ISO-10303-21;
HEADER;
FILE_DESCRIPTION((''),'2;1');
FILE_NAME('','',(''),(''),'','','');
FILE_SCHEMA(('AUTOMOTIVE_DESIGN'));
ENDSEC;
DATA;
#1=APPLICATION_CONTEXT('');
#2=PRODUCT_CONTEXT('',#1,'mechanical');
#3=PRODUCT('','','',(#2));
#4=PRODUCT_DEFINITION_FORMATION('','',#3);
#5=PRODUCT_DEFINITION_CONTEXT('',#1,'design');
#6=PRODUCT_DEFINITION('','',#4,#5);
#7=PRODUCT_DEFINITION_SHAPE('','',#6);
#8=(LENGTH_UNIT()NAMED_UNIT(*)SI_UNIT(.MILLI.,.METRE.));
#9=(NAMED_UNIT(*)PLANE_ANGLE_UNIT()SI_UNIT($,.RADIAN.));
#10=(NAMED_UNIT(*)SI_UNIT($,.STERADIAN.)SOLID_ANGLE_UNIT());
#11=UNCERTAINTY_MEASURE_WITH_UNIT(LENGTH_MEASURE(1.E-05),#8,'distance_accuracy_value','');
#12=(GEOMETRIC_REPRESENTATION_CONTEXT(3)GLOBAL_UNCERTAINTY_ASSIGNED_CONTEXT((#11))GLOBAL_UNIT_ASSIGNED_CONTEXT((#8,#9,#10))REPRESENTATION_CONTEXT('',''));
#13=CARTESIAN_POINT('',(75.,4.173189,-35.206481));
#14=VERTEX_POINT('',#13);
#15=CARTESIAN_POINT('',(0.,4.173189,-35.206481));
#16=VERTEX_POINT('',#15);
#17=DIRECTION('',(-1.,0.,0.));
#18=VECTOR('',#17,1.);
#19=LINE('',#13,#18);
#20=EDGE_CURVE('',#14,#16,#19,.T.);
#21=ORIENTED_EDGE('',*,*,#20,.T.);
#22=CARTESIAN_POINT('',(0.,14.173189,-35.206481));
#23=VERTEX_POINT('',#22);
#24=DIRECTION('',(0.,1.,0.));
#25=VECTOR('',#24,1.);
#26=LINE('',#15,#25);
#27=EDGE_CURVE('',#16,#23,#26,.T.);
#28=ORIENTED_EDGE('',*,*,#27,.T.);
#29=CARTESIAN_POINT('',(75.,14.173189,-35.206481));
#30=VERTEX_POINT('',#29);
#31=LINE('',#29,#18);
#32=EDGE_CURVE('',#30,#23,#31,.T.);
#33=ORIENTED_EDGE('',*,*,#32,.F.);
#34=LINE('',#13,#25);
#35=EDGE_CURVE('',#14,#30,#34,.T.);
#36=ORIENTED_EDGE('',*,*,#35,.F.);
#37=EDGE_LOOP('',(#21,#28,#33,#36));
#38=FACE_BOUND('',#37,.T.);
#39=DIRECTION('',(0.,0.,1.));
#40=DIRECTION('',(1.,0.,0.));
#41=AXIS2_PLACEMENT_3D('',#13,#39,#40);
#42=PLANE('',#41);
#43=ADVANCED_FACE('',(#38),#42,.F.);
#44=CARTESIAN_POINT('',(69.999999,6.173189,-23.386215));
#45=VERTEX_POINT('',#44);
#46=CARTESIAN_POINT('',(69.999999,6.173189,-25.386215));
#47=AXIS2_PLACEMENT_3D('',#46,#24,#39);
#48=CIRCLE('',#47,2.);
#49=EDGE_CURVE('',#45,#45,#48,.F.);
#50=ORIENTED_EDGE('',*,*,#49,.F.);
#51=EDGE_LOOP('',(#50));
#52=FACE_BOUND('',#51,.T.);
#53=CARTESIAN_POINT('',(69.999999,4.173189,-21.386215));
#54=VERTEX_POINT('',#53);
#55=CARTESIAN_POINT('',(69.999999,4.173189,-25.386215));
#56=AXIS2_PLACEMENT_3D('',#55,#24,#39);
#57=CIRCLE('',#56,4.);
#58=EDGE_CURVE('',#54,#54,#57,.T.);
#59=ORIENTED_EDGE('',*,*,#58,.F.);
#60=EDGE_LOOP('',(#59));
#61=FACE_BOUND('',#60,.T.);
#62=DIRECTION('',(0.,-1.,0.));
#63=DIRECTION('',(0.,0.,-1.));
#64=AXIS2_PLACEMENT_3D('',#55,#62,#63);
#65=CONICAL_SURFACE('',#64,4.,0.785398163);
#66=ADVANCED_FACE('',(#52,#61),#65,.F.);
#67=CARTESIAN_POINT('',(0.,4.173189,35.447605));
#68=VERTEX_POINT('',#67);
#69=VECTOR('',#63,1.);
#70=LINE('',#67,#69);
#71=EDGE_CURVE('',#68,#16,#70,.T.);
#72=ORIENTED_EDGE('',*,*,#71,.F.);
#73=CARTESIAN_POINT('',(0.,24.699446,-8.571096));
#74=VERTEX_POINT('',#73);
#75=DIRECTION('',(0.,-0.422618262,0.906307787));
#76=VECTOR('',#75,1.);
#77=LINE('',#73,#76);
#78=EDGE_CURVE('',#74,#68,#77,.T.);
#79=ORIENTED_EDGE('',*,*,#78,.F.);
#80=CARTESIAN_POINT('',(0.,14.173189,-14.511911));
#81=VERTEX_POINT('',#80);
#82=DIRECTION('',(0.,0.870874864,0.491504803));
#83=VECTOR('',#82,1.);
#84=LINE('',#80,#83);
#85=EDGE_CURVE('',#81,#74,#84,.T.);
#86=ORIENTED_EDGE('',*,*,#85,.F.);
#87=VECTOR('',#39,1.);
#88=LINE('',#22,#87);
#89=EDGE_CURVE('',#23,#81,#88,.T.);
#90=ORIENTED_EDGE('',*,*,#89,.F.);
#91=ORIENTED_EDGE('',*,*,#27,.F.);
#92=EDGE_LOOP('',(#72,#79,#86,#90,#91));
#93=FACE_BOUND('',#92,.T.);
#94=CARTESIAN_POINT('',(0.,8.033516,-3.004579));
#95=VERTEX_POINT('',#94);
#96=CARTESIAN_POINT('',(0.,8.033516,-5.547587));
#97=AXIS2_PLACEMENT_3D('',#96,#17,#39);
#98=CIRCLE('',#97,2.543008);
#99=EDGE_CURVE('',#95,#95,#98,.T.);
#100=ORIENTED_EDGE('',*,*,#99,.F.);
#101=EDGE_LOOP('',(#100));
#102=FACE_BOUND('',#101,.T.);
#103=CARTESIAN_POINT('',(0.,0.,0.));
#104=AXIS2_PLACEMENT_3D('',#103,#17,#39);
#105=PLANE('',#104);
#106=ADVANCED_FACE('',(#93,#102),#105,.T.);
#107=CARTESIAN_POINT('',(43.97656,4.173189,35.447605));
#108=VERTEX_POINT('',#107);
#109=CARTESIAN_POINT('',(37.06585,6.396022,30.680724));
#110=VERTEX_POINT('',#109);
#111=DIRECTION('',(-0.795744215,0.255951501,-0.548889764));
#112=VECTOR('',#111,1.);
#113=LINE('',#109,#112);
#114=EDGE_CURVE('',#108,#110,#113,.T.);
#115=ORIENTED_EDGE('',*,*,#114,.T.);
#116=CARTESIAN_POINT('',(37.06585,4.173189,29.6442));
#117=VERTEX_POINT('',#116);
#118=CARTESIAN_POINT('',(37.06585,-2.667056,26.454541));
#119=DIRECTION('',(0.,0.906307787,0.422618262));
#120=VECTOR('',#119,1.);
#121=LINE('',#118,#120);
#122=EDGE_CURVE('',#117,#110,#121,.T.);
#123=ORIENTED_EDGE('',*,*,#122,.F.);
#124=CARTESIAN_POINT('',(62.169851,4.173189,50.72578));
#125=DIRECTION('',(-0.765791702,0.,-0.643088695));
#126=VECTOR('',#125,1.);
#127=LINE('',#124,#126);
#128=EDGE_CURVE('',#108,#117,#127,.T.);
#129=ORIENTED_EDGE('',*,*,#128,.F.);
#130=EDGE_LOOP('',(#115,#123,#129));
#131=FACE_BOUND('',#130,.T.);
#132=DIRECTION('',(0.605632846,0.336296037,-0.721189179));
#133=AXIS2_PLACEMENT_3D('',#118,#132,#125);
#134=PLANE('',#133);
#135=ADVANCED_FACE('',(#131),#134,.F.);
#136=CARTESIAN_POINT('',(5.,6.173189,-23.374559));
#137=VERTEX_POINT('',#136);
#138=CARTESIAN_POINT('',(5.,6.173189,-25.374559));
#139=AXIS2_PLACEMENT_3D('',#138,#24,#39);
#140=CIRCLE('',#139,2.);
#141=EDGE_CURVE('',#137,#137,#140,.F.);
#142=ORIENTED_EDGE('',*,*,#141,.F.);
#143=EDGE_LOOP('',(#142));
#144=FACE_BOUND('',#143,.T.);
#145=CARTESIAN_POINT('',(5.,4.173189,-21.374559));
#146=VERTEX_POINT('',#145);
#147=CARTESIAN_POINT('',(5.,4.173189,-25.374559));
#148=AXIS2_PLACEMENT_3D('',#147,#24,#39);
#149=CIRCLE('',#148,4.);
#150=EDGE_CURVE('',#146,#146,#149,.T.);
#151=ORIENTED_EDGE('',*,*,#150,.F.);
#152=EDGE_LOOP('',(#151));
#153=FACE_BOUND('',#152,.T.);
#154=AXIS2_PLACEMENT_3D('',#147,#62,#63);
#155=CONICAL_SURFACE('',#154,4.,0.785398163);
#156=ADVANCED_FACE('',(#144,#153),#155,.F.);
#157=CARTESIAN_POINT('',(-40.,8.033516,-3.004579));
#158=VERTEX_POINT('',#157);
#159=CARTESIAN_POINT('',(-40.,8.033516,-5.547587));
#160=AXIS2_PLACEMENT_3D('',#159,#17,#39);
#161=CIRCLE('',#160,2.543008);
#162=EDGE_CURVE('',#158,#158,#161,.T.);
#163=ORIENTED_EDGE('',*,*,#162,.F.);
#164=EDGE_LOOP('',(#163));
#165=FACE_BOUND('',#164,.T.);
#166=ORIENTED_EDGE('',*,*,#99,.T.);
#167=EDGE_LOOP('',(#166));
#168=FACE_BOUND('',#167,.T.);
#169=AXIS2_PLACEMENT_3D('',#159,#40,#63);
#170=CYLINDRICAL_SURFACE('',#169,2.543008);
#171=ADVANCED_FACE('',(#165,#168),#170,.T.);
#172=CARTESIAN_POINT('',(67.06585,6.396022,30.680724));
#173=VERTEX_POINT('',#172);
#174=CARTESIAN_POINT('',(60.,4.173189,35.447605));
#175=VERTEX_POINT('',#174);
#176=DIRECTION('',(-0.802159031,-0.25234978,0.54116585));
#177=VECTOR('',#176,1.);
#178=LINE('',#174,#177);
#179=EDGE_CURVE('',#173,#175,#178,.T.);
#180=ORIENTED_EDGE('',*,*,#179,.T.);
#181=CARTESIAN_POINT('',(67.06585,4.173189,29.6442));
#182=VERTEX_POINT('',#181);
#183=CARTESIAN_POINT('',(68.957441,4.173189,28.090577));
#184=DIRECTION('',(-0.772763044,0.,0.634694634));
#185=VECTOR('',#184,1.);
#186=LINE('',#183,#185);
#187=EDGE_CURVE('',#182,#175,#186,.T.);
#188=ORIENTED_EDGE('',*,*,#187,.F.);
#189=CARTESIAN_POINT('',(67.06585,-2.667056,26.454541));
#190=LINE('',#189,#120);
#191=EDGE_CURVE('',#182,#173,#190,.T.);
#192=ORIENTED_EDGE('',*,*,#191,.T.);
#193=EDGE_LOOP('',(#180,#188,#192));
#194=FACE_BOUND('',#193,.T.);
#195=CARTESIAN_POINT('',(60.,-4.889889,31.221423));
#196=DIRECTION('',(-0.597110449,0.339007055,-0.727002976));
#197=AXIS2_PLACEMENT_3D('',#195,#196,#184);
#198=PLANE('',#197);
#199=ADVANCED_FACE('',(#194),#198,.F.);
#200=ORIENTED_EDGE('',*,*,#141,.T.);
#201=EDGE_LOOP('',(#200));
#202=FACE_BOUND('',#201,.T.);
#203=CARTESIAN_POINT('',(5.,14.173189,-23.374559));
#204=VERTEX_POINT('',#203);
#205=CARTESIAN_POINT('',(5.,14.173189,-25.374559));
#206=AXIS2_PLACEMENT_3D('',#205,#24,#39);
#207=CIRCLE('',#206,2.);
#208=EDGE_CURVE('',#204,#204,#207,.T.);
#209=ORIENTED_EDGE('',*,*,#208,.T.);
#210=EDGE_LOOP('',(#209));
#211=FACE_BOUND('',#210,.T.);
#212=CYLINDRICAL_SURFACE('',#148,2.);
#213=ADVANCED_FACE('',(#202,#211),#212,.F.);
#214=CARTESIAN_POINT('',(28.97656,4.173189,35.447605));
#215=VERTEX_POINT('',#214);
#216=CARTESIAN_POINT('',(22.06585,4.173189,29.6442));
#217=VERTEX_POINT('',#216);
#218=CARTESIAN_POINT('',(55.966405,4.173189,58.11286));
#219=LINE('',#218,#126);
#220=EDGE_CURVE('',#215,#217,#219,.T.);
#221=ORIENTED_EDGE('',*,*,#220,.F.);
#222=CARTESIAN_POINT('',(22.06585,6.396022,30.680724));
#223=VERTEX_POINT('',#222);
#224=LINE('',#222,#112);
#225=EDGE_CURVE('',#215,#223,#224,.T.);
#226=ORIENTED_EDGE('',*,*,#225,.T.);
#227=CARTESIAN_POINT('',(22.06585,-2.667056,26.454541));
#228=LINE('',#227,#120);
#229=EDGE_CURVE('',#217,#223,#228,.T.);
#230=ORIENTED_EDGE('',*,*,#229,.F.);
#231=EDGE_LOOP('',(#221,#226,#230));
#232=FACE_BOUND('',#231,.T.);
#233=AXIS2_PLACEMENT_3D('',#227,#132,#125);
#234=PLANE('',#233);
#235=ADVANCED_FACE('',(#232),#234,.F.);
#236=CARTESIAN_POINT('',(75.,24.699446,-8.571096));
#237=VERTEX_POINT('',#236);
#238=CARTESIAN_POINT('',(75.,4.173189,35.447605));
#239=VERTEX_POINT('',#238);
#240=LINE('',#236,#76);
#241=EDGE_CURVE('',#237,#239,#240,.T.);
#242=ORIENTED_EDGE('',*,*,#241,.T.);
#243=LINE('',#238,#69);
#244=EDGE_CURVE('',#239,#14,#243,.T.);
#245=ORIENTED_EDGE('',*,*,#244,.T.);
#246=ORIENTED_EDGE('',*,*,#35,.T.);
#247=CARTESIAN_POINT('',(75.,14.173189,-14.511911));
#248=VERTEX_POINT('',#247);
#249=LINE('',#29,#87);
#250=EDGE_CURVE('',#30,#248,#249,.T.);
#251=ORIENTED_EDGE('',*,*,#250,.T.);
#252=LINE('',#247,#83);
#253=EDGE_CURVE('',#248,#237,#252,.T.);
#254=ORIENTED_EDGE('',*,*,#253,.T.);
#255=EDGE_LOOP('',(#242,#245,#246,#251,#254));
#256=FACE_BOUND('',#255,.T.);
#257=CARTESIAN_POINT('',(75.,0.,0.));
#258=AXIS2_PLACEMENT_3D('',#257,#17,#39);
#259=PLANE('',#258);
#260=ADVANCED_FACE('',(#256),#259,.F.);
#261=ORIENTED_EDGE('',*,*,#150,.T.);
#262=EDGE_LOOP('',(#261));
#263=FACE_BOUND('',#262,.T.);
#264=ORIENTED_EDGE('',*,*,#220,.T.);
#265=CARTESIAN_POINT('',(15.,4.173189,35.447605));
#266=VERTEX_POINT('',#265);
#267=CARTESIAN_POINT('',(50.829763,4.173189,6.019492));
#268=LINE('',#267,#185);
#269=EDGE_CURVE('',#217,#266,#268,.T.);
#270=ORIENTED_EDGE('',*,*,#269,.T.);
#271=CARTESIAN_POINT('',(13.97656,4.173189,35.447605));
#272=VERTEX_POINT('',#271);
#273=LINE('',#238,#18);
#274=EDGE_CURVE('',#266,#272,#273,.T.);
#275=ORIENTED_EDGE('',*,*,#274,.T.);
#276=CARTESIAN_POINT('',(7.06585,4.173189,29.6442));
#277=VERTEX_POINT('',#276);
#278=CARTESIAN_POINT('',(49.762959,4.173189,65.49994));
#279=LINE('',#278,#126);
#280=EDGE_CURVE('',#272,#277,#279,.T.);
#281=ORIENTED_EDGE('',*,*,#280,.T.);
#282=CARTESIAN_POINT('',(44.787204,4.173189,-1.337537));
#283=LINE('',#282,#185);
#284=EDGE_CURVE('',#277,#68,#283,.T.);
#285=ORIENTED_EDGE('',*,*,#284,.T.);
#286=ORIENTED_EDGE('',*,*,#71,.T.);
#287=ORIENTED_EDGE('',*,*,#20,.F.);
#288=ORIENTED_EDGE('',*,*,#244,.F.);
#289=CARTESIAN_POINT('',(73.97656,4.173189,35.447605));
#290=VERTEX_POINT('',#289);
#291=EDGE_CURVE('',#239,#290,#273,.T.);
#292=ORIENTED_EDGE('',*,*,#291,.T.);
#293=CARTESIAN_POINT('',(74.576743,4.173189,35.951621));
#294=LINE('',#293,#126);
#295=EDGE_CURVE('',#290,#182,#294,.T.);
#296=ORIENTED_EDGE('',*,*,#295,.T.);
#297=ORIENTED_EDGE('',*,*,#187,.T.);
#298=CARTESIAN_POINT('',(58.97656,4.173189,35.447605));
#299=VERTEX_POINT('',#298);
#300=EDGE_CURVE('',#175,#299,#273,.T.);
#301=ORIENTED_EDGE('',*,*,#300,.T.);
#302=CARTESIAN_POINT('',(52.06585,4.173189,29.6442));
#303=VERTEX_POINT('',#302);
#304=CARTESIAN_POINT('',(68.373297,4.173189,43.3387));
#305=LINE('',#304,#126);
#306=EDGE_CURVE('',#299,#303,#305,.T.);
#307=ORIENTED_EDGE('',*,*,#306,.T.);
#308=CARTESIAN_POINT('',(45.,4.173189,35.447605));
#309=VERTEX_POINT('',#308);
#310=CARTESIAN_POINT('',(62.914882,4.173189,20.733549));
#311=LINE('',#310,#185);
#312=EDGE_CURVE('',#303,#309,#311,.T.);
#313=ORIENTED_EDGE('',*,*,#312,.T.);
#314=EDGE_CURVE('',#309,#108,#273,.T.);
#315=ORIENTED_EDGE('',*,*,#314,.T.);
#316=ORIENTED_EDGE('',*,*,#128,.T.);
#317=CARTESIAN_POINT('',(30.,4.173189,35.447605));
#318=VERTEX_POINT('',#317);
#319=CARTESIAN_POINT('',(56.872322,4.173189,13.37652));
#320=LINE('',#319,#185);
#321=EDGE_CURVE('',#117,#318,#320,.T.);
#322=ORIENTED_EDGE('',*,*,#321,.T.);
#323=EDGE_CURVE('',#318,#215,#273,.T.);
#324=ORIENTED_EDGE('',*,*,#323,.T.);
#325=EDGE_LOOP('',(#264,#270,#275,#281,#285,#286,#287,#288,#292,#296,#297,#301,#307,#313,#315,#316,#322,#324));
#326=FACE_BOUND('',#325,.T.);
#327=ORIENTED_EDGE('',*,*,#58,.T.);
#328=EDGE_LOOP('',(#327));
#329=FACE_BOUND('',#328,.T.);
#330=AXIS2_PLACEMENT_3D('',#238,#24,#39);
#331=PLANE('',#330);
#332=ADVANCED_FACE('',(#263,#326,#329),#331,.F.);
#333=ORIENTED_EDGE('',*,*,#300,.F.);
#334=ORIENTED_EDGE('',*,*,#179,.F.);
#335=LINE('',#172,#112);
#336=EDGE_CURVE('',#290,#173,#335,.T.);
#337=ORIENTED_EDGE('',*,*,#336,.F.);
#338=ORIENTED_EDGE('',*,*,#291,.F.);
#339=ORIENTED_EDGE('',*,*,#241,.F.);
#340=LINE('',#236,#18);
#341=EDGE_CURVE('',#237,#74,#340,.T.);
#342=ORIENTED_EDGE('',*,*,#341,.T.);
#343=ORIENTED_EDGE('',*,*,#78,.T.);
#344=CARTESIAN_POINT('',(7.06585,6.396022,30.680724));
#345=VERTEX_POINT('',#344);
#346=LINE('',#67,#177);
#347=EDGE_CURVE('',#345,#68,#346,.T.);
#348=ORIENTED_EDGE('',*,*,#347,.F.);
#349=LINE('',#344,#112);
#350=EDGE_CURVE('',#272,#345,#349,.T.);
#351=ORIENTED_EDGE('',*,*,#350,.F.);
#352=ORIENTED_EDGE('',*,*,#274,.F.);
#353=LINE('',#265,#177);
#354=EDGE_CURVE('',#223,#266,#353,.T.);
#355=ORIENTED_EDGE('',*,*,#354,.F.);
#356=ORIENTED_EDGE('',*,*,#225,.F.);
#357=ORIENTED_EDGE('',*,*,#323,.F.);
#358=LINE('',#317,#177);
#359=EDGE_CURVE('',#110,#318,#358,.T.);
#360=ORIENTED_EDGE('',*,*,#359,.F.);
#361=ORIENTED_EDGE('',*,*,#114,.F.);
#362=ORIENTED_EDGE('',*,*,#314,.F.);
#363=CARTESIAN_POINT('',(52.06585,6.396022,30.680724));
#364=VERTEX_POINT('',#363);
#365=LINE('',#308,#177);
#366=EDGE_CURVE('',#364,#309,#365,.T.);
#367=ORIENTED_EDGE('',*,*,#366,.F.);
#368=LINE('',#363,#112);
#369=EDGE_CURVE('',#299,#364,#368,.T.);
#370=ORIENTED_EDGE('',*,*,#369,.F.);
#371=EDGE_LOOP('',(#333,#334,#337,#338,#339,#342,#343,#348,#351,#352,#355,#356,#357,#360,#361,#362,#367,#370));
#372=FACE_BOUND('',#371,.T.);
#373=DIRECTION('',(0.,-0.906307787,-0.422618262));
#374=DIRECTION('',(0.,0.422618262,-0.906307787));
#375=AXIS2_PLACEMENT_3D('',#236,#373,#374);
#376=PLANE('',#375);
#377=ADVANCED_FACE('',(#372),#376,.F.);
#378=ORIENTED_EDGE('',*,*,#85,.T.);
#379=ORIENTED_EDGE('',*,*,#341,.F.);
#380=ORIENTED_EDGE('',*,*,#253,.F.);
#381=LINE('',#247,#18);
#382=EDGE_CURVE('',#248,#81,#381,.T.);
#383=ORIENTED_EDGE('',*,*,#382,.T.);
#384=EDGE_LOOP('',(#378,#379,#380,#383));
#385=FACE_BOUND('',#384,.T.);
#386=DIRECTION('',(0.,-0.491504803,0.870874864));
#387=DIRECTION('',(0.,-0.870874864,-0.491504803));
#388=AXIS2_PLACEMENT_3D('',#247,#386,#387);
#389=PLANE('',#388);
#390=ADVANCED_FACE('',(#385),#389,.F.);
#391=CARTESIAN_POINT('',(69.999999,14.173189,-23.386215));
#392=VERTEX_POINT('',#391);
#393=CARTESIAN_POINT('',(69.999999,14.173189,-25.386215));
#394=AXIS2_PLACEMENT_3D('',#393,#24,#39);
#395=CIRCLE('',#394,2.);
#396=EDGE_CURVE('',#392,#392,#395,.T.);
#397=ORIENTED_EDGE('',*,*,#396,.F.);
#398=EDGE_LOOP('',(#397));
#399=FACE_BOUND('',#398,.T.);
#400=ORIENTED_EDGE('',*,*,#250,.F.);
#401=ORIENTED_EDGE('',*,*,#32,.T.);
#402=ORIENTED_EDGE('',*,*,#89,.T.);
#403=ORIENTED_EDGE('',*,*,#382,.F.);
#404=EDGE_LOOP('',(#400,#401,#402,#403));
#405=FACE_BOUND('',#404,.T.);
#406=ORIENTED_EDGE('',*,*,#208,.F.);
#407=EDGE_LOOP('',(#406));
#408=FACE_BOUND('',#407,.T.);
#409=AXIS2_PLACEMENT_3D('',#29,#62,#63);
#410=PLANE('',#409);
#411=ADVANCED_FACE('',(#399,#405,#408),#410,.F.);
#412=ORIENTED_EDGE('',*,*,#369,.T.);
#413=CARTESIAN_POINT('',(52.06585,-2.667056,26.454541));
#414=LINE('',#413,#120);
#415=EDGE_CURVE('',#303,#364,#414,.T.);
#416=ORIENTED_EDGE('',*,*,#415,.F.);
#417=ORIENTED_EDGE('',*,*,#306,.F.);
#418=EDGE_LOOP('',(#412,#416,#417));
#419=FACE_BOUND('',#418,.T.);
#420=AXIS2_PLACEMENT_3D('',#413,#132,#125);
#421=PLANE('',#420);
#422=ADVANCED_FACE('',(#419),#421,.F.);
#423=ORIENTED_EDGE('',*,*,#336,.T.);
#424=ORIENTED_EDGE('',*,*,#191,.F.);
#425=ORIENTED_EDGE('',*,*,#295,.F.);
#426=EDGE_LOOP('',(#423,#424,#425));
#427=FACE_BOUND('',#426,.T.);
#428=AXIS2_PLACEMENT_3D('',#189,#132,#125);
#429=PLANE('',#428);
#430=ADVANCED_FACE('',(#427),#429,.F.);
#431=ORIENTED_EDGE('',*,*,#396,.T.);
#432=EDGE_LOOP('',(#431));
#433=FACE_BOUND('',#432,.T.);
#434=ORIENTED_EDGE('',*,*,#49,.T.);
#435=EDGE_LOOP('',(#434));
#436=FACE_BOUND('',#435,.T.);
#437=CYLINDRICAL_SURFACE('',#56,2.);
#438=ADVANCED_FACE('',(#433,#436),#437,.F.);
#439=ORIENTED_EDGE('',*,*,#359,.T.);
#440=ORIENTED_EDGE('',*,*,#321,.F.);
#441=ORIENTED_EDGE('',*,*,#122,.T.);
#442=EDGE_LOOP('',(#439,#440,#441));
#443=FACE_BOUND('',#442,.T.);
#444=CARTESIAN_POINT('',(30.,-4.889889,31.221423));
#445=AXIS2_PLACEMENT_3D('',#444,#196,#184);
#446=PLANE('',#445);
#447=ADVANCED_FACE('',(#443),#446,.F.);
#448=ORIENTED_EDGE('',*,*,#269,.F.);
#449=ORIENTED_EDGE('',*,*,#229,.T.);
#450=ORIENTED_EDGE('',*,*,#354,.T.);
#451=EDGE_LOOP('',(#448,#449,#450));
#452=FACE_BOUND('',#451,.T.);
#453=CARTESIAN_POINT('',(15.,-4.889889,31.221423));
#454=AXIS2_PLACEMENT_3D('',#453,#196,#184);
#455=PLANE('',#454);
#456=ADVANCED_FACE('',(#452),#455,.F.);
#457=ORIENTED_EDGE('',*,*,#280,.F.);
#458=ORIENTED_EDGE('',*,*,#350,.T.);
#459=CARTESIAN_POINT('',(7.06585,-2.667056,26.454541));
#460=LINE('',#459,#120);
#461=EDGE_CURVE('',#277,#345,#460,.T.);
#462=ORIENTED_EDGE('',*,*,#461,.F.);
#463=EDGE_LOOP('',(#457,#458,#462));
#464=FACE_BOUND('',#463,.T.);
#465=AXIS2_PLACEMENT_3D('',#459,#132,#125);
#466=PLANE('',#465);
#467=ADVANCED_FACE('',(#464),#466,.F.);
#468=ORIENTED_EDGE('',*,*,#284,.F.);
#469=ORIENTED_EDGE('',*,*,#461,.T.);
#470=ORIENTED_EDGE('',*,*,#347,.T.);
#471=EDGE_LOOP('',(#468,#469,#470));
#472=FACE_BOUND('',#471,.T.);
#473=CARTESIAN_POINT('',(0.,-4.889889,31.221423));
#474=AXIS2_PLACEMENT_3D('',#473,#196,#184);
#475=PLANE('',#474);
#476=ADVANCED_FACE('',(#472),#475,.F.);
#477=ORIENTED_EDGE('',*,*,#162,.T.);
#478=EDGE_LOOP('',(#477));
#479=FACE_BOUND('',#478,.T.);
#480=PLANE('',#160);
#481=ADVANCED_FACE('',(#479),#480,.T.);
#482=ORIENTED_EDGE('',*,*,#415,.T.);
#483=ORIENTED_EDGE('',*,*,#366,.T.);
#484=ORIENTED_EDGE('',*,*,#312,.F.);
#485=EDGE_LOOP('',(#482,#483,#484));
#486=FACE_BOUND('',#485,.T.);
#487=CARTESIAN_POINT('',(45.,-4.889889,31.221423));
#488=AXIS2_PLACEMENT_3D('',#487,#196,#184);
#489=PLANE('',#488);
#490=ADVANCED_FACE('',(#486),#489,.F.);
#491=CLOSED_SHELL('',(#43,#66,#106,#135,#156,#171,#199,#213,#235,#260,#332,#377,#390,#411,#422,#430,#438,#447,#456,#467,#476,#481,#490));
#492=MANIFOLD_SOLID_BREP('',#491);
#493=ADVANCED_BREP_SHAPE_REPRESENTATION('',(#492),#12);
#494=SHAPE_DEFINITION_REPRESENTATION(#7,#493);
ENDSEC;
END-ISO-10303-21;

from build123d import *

# Parameters (mm, degrees)
BOSS_EXTRUDE1_DEPTH = 75
SKETCH2_R           = 2
CUT_EXTRUDE1_DEPTH  = 10
CUT_EXTRUDE2_DEPTH  = 10
CHAMFER1_SIZE       = 2
SKETCH3_R           = 2.543008444
BOSS_EXTRUDE2_DEPTH = 40


with BuildPart() as part:
    # Sketch1 → Boss-Extrude1 (new body)
    with BuildSketch(Plane(origin=(0, 0, 0), x_dir=(0, 0, -1), z_dir=(1, 0, 0))):
        Polygon((-35.447605249, 4.173188871), (35.206481481, 4.173188871), (35.206481481, 14.173188871), (14.511910864, 14.173188871), (8.571096195, 24.699446456), align=None)
    extrude(amount=BOSS_EXTRUDE1_DEPTH)

    # Sketch2 → Cut-Extrude1 (cut)
    with BuildSketch(Plane(origin=(0, 14.173188871, 0), x_dir=(1, 0, 0), z_dir=(0, 1, 0))):
        with Locations(Location((5, 25.374559272, 0), (0, 0, 270))):
            Circle(SKETCH2_R)
        with Locations(Location((69.999998955, 25.38621548, 0), (0, 0, 270))):
            Circle(SKETCH2_R)
    extrude(amount=-CUT_EXTRUDE1_DEPTH, mode=Mode.SUBTRACT)

    # Sketch4 → Cut-Extrude2 (cut)
    with BuildSketch(Plane(origin=(0, 17.005051997, 7.929585973), x_dir=(1, 0, 0), z_dir=(0, 0.9063077870366527, 0.4226182617406937))):
        Polygon((0, -30.362774842), (7.065850082, -25.103103439), (13.976560291, -30.362774842), align=None)
        Polygon((22.065850082, -25.103103439), (28.976560291, -30.362774842), (15, -30.362774842), align=None)
        Polygon((37.065850082, -25.103103439), (43.976560291, -30.362774842), (30, -30.362774842), align=None)
        Polygon((52.065850082, -25.103103439), (58.976560291, -30.362774842), (45, -30.362774842), align=None)
        Polygon((67.065850082, -25.103103439), (73.976560291, -30.362774842), (60, -30.362774842), align=None)
    extrude(amount=-CUT_EXTRUDE2_DEPTH, mode=Mode.SUBTRACT)

    # Chamfer1
    chamfer1_edges = [part.edges().sort_by_distance(p)[0] for p in [
        (5, 4.173188871, -27.374559272),
        (69.999998955, 4.173188871, -27.38621548),
    ]]
    chamfer(chamfer1_edges, length=CHAMFER1_SIZE)

    # Sketch3 → Boss-Extrude2 (add)
    with BuildSketch(Plane.ZY):
        with Locations((-5.547587106, 8.033515635)):
            Circle(SKETCH3_R)
    extrude(amount=BOSS_EXTRUDE2_DEPTH)


solid = part.part
